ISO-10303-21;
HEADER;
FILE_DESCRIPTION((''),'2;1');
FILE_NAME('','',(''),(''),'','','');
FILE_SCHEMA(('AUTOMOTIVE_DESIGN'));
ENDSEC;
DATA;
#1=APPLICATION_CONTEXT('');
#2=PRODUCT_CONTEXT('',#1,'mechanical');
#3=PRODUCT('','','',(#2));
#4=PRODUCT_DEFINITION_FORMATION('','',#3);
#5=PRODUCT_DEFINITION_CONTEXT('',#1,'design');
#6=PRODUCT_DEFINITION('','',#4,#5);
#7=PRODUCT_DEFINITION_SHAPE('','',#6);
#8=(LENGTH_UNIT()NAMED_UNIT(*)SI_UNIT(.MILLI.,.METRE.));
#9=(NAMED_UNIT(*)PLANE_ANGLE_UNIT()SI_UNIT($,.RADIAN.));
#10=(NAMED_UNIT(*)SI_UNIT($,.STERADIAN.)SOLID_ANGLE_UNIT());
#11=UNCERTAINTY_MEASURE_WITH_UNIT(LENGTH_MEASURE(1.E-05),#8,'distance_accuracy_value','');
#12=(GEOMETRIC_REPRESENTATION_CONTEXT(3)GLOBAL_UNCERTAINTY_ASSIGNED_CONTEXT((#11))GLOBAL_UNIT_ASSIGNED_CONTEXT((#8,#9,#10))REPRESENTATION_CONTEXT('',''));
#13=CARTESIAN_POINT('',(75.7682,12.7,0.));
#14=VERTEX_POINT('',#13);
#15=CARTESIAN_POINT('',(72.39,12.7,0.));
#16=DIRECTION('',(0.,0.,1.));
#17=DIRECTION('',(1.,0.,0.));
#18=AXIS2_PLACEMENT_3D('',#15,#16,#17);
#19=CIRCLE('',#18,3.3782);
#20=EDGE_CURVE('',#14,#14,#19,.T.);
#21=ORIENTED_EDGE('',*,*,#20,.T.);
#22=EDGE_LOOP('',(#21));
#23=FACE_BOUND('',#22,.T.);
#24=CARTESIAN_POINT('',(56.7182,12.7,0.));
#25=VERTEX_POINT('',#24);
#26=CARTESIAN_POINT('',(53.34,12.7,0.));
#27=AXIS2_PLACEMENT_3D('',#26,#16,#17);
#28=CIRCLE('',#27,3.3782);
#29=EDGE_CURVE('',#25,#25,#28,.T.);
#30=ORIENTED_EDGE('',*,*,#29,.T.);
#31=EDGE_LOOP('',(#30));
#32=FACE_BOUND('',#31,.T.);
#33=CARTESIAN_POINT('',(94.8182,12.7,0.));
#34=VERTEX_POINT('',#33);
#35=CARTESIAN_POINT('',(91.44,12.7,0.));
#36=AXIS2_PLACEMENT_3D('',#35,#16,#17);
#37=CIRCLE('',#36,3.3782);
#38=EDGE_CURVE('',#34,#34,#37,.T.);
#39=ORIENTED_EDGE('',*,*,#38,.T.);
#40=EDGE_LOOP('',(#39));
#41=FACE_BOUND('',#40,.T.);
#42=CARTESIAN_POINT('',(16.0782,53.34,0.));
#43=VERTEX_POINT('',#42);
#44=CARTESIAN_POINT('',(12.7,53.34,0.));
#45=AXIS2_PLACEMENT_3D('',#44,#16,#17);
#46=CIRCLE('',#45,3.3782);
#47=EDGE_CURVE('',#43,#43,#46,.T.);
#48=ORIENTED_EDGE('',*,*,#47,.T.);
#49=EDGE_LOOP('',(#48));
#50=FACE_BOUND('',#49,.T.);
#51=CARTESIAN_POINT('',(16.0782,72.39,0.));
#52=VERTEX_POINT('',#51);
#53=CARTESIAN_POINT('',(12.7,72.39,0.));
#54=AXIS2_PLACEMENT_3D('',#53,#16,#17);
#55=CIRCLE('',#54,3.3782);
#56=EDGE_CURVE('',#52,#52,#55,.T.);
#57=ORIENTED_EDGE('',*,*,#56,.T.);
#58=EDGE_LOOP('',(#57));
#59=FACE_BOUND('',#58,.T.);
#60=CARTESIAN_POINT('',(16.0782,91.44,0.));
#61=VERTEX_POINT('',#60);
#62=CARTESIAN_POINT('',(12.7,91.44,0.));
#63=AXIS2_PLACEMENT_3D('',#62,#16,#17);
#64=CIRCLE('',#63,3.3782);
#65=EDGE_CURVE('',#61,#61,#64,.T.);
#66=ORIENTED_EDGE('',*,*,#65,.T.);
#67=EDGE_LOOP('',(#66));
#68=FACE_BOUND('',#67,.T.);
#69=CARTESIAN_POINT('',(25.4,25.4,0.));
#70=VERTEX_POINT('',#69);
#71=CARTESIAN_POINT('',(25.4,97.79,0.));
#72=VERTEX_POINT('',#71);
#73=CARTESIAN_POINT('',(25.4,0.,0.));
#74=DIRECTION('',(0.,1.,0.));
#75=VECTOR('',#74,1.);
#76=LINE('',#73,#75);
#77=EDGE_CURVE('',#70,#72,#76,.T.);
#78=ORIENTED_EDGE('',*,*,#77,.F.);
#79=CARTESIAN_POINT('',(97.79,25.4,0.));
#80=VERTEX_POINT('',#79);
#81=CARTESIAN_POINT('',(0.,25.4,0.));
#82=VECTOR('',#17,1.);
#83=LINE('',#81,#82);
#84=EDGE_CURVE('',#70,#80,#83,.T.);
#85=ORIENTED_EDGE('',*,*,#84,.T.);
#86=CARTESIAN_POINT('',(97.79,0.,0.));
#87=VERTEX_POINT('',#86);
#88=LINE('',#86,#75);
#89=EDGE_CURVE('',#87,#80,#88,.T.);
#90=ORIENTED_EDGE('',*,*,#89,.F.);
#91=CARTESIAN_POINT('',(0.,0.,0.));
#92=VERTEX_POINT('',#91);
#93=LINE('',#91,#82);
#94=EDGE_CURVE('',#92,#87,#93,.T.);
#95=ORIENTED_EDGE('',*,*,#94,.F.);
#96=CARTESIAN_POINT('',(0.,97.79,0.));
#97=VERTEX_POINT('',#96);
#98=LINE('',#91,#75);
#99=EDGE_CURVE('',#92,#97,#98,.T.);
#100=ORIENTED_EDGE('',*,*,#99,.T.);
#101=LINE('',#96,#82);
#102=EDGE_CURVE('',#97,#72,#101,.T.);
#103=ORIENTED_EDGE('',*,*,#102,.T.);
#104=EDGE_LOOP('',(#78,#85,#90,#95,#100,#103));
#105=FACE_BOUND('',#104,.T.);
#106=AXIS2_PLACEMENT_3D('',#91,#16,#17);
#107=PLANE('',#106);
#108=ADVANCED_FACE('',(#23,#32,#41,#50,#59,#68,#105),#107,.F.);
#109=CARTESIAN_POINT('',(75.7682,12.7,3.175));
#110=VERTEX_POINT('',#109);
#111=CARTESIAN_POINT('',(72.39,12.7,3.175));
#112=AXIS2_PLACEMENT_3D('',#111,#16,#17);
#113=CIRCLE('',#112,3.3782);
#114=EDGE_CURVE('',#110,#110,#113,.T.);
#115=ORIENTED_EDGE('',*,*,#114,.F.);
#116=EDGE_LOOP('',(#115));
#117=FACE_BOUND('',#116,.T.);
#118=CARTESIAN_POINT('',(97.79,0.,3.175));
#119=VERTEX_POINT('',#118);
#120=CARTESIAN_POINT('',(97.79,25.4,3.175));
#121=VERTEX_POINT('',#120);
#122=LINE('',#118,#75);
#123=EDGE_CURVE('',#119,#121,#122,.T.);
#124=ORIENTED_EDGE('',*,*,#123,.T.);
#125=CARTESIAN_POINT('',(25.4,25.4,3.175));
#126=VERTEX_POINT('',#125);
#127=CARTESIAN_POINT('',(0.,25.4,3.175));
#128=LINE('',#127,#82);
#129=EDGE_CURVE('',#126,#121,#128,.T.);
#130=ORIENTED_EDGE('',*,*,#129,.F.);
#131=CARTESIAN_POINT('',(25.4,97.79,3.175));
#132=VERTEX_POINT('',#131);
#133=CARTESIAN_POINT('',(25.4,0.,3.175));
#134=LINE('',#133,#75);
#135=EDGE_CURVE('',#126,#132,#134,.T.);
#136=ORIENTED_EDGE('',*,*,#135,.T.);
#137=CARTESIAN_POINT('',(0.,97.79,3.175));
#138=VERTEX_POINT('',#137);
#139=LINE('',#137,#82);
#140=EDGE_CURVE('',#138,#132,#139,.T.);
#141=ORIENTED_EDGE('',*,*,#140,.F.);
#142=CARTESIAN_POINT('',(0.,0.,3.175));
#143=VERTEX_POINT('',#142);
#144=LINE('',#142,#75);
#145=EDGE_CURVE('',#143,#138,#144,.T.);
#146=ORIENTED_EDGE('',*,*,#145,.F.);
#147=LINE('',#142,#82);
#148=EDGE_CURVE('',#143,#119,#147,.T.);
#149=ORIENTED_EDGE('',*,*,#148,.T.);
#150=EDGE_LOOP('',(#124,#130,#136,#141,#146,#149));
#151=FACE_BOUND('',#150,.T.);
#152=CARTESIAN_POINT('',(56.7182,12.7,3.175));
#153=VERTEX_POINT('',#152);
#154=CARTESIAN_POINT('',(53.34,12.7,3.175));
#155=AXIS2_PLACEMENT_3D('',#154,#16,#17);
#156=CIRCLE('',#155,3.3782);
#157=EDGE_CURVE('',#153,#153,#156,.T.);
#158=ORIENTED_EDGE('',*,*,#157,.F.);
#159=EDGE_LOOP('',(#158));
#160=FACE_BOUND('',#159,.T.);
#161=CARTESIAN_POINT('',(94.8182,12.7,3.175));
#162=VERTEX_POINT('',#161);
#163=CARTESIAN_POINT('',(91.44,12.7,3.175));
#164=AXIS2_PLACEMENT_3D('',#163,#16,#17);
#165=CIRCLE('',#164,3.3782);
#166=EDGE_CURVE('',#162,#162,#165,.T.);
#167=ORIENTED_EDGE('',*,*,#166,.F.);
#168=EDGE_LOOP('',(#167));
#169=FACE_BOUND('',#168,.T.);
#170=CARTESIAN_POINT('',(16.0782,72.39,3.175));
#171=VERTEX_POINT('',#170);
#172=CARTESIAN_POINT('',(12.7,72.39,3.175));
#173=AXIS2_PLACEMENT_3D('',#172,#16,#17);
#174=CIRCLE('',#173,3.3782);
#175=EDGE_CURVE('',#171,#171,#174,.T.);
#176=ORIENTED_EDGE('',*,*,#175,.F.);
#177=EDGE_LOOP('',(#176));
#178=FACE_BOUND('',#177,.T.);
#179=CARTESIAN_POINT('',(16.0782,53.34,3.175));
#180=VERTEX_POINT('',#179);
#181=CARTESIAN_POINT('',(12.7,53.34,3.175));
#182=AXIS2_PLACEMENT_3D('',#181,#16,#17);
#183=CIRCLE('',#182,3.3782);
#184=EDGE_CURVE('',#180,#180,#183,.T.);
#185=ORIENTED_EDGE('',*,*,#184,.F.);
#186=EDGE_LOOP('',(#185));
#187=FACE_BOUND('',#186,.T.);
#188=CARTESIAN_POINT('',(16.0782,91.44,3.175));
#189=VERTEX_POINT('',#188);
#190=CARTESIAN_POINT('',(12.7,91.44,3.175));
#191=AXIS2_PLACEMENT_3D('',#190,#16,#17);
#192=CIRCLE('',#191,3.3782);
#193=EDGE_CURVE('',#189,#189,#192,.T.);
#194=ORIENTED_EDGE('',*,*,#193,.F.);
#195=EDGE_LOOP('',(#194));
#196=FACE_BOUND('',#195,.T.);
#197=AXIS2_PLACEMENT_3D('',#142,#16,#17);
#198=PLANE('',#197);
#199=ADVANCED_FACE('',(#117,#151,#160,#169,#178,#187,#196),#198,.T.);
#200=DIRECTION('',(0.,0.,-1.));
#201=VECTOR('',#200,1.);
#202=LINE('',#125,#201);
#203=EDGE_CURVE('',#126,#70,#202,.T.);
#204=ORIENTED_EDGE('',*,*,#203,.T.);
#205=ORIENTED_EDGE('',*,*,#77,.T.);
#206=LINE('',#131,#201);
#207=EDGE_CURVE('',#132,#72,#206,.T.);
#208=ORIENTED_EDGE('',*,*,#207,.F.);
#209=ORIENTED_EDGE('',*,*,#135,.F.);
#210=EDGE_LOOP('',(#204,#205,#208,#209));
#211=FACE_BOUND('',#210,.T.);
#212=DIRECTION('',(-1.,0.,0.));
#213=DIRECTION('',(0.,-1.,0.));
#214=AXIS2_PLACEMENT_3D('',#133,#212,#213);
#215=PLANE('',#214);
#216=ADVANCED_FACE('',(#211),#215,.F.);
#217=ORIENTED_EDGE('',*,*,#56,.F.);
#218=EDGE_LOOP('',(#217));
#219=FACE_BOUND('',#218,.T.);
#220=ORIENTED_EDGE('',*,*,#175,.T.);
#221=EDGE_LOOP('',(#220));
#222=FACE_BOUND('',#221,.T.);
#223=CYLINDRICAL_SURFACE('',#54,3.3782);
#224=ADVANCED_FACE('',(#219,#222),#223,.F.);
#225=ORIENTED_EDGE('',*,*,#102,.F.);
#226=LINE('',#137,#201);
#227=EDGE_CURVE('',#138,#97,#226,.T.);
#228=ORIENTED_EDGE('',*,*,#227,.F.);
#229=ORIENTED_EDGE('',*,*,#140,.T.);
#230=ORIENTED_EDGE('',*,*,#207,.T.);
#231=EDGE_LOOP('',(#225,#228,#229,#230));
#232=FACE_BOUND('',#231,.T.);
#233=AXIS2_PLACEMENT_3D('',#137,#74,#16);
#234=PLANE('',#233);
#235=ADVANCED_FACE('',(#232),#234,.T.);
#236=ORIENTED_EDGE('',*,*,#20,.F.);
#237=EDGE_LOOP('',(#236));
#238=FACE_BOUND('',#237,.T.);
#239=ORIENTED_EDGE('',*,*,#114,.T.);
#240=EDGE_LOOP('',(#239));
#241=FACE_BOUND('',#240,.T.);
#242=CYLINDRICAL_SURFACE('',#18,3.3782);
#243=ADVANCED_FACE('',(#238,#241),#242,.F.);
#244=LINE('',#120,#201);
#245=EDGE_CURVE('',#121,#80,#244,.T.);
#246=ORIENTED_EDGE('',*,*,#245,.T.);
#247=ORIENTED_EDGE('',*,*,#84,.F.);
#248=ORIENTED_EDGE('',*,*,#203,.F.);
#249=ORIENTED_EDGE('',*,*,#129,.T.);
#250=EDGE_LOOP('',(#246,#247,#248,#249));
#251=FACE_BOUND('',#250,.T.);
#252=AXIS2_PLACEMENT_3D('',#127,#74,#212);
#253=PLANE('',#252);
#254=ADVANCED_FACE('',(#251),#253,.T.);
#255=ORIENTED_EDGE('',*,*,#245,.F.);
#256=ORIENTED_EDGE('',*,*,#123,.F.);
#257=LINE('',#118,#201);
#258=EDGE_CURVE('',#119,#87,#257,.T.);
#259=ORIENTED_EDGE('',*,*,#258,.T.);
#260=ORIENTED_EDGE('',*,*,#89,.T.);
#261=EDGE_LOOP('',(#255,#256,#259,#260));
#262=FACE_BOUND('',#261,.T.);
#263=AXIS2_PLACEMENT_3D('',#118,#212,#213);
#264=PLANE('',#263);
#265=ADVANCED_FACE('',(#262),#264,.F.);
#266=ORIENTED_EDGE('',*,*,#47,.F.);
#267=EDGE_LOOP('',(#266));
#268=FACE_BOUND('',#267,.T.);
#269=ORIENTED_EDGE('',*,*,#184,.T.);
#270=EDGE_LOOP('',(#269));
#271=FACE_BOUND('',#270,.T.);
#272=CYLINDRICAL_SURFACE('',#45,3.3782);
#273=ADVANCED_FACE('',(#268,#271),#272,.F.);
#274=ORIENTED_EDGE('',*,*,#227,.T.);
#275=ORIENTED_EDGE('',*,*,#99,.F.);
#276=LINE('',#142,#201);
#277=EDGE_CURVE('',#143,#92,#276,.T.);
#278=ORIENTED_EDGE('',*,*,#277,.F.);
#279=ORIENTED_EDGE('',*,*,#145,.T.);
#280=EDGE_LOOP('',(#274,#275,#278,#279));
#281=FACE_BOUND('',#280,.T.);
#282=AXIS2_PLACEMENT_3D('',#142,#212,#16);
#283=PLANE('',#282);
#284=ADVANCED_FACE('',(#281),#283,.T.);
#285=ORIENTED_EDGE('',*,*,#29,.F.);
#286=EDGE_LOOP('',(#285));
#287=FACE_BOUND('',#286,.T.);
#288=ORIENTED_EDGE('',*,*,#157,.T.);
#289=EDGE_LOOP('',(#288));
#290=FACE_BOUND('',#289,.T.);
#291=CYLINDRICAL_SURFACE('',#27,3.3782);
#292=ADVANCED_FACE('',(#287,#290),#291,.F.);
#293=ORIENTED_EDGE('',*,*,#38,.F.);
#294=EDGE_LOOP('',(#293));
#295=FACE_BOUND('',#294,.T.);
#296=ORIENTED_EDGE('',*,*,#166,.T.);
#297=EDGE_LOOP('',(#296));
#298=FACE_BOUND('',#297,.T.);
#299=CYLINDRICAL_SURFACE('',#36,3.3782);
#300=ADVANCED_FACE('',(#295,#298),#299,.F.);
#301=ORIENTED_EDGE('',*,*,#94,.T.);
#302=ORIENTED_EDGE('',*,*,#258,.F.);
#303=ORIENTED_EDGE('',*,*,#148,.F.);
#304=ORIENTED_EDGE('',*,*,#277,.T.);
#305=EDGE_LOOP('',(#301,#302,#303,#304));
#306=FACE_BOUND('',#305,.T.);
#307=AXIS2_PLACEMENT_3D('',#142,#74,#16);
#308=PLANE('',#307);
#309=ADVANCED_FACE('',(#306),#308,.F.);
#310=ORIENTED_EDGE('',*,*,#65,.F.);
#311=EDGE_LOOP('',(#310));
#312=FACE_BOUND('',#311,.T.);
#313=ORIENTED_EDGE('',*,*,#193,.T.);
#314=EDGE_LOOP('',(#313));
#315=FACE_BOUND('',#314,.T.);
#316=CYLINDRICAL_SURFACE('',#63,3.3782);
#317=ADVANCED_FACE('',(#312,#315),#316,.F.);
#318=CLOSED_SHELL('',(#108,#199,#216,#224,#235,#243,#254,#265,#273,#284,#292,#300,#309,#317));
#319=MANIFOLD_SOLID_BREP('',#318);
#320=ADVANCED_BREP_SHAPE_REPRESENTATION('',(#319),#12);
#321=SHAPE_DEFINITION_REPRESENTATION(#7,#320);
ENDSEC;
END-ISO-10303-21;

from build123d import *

# Parameters (mm, degrees)
BOSS_EXTRUDE1_DEPTH = 3.175
SKETCH2_R           = 3.3782
CUT_EXTRUDE1_DEPTH  = 139.332385308


with BuildPart() as part:
    # Sketch1 → Boss-Extrude1 (new body)
    with BuildSketch(Plane.XY):
        Polygon((0, 0), (0, 97.79), (25.4, 97.79), (25.4, 79.829487758), (25.4, 25.4), (79.829487758, 25.4), (97.79, 25.4), (97.79, 0), align=None)
    extrude(amount=BOSS_EXTRUDE1_DEPTH)

    # Sketch2 → Cut-Extrude1 (cut, through all)
    with BuildSketch(Plane.XY.offset(3.175)):
        with Locations((53.34, 12.7)):
            Circle(SKETCH2_R)
        with Locations((72.39, 12.7)):
            Circle(SKETCH2_R)
        with Locations((12.7, 53.34)):
            Circle(SKETCH2_R)
        with Locations((12.7, 72.39)):
            Circle(SKETCH2_R)
        with Locations((12.7, 91.44)):
            Circle(SKETCH2_R)
        with Locations((91.44, 12.7)):
            Circle(SKETCH2_R)
    extrude(amount=-CUT_EXTRUDE1_DEPTH, mode=Mode.SUBTRACT)


solid = part.part
